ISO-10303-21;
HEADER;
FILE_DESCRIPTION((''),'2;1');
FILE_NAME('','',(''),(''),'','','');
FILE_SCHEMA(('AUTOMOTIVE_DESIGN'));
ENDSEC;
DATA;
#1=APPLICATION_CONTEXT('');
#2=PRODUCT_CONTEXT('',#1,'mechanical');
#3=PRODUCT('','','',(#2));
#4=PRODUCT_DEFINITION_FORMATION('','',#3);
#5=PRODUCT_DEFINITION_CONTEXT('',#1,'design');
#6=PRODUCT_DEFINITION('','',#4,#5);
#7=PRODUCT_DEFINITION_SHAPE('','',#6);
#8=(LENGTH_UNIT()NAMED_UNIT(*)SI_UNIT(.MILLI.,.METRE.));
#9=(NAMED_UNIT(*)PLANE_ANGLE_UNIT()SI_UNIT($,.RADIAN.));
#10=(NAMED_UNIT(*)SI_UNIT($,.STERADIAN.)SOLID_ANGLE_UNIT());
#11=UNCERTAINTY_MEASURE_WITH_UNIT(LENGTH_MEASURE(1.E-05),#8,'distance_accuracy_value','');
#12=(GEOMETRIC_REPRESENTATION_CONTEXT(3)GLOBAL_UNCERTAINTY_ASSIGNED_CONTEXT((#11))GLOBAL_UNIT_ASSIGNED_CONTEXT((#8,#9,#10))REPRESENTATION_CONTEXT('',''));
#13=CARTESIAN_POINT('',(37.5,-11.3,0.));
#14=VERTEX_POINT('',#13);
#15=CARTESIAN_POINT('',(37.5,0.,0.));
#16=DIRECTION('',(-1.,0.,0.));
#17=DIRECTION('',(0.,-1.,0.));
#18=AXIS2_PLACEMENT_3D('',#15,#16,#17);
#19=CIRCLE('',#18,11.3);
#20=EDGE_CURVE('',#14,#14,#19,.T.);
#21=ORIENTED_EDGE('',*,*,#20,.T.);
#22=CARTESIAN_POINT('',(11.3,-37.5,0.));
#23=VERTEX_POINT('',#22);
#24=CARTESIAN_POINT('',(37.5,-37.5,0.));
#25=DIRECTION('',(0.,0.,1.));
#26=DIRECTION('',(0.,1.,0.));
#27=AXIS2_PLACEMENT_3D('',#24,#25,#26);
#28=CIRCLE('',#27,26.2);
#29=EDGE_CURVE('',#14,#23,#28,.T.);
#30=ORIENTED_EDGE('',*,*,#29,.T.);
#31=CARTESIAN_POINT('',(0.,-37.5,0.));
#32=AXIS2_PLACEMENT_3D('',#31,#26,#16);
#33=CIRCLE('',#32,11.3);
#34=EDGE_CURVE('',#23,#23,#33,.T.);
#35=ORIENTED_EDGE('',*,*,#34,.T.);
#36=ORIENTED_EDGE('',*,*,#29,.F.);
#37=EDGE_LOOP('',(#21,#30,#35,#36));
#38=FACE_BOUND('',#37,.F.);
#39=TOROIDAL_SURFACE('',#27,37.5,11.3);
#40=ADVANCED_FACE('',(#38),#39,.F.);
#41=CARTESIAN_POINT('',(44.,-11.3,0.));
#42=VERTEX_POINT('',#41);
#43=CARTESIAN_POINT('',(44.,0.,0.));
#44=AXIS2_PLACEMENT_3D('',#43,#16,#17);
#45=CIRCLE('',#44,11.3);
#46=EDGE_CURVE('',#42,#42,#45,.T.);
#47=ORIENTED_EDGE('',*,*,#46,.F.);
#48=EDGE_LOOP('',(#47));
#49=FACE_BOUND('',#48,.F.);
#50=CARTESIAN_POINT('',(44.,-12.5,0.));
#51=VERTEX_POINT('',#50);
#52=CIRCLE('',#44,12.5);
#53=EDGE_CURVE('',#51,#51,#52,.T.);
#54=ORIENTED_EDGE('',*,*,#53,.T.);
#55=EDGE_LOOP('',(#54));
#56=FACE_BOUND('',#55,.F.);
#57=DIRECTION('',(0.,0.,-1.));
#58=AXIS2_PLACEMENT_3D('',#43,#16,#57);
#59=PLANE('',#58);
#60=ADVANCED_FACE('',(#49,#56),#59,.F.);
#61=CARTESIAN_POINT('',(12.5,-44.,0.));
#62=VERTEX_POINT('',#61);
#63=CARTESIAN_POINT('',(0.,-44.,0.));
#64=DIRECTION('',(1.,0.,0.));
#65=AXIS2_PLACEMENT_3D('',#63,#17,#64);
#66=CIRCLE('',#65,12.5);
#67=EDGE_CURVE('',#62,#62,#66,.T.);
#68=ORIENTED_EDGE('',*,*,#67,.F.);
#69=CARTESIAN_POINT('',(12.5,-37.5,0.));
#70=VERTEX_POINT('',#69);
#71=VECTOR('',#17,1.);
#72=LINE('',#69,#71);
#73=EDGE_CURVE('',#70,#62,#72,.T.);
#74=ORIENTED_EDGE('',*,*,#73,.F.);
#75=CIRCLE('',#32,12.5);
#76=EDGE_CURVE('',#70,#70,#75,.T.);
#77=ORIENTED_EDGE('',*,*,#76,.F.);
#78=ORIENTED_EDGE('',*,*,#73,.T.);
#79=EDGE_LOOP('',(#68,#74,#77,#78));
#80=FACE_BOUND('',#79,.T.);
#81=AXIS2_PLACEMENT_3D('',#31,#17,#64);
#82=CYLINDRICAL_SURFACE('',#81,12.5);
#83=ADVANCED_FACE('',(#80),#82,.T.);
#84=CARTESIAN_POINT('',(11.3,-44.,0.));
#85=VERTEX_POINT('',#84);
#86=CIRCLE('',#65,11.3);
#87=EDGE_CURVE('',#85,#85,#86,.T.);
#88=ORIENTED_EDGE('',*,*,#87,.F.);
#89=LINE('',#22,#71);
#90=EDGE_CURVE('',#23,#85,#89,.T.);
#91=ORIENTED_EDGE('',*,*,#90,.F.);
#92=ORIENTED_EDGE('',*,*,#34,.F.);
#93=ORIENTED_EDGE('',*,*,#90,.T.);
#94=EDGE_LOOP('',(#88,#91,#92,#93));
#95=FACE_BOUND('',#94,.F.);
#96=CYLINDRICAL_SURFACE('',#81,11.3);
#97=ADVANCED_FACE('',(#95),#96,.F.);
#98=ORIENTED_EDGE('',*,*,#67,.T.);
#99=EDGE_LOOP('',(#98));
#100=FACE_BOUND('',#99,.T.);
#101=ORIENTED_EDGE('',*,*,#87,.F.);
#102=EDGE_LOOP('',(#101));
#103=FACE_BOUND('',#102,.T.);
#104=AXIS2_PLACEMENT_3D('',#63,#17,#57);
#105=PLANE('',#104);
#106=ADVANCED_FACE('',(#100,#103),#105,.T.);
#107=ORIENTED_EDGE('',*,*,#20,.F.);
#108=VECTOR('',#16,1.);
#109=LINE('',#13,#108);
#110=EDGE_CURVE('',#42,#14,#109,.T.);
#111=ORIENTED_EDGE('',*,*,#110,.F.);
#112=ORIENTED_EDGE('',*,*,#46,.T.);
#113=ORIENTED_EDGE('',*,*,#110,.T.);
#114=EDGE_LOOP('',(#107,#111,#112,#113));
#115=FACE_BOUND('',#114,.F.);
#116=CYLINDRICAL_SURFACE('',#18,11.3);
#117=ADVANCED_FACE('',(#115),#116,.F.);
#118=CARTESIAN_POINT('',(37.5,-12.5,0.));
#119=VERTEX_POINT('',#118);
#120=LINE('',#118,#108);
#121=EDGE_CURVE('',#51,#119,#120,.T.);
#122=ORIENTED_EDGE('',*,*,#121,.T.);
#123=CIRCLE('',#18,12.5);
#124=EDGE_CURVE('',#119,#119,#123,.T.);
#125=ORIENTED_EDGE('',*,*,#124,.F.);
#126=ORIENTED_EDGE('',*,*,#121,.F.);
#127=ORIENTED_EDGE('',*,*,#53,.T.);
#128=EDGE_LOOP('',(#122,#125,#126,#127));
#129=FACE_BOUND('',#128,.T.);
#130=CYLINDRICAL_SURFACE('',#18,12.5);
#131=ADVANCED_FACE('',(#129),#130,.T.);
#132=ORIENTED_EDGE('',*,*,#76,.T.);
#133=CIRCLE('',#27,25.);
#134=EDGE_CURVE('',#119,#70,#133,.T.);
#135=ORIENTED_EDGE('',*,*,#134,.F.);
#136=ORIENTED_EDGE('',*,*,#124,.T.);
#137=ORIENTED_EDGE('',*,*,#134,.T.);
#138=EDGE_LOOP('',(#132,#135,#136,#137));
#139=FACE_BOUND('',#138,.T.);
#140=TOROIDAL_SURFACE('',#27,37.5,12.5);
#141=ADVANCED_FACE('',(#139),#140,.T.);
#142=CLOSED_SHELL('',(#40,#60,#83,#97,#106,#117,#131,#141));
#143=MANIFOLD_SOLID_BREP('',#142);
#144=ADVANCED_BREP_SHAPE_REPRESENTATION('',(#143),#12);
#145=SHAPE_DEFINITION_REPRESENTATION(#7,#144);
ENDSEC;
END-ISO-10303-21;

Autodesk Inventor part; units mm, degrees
ref_plane "YZ Plane" through (0, 0, 0) normal (1, 0, 0) x (0, 1, 0)
ref_plane "XZ Plane" through (0, 0, 0) normal (0, 1, 0) x (-1, 0, 0)
sketch "Szkic6" plane through (0, 0, 0) normal (0, 0, 1) x (1, 0, 0)
  line L0 (-29.6067, 0) -> (35.2678, 0) construction
  line L1 (0, 42.3419) -> (0, -58.3726) construction
  arc A0 (37.5, 0) -> (0, -37.5) centre (37.5, -37.5) ccw
  line L2 (0, -37.5) -> (37.5, -37.5) construction
  line L3 (37.5, -37.5) -> (37.5, 28.0331) construction
  line L4 (37.5, 0) -> (44, 0)
  line L5 (0, -37.5) -> (0, -44)
  point P0 (0, 0)
  dimension "d24" = 37.5
  dimension "d31" = 90
  dimension "d36" = 6.5
  dimension "d37" = 6.5
ref_plane "Płaszczyzna konstrukcyjna2" through (0, -37.5, 0) normal (0, -1, 0) x (1, 0, 0)
sketch "Szkic8" plane through (0, -37.5, 0) normal (0, -1, 0) x (1, 0, 0)
  circle A0 centre (0, 0) radius 12.5
  circle A1 centre (0, 0) radius 11.3
  dimension "d32" = 25
  dimension "d33" = 1.2
sweep "Przeciągnięcie2" add profiles "Szkic8" path "Szkic6"
equation "\"d32\" = OD"
equation "\"d33\" = THK"
equation "\"d24\" = R"
equation "\"d31\" = KAT"
equation "\"d36\" = PROSTKA"
equation "\"d37\" = PROSTKA"
equation "\"SzerokośćGięciaPodcięcia\" = Grubość"
equation "\"RozmiarPodcięciaNarożnika\" = 4 * Grubość"
equation "\"PromieńPrzejścia\" = PromieńGięcia"
equation "\"Rozmiar_promienia_Jacobiego\" = PromieńGięcia"
equation "\"Wielk_odstępu\" = Grubość"
equation "\"d2\" = PromieńGięcia"
equation "\"d23\" = PromieńGięcia"
equation "\"R\" = 37.5"
equation "\"OD\" = 25"
equation "\"THK\" = 1.2"
equation "\"KAT\" = 90deg"
equation "\"PROSTKA\" = 6.5"
equation "\"Grubość\" = 1.5"
equation "\"PromieńGięcia\" = 3"
properties part number "Kolano 90° ø25x1,2 R37,5" material "304L"
